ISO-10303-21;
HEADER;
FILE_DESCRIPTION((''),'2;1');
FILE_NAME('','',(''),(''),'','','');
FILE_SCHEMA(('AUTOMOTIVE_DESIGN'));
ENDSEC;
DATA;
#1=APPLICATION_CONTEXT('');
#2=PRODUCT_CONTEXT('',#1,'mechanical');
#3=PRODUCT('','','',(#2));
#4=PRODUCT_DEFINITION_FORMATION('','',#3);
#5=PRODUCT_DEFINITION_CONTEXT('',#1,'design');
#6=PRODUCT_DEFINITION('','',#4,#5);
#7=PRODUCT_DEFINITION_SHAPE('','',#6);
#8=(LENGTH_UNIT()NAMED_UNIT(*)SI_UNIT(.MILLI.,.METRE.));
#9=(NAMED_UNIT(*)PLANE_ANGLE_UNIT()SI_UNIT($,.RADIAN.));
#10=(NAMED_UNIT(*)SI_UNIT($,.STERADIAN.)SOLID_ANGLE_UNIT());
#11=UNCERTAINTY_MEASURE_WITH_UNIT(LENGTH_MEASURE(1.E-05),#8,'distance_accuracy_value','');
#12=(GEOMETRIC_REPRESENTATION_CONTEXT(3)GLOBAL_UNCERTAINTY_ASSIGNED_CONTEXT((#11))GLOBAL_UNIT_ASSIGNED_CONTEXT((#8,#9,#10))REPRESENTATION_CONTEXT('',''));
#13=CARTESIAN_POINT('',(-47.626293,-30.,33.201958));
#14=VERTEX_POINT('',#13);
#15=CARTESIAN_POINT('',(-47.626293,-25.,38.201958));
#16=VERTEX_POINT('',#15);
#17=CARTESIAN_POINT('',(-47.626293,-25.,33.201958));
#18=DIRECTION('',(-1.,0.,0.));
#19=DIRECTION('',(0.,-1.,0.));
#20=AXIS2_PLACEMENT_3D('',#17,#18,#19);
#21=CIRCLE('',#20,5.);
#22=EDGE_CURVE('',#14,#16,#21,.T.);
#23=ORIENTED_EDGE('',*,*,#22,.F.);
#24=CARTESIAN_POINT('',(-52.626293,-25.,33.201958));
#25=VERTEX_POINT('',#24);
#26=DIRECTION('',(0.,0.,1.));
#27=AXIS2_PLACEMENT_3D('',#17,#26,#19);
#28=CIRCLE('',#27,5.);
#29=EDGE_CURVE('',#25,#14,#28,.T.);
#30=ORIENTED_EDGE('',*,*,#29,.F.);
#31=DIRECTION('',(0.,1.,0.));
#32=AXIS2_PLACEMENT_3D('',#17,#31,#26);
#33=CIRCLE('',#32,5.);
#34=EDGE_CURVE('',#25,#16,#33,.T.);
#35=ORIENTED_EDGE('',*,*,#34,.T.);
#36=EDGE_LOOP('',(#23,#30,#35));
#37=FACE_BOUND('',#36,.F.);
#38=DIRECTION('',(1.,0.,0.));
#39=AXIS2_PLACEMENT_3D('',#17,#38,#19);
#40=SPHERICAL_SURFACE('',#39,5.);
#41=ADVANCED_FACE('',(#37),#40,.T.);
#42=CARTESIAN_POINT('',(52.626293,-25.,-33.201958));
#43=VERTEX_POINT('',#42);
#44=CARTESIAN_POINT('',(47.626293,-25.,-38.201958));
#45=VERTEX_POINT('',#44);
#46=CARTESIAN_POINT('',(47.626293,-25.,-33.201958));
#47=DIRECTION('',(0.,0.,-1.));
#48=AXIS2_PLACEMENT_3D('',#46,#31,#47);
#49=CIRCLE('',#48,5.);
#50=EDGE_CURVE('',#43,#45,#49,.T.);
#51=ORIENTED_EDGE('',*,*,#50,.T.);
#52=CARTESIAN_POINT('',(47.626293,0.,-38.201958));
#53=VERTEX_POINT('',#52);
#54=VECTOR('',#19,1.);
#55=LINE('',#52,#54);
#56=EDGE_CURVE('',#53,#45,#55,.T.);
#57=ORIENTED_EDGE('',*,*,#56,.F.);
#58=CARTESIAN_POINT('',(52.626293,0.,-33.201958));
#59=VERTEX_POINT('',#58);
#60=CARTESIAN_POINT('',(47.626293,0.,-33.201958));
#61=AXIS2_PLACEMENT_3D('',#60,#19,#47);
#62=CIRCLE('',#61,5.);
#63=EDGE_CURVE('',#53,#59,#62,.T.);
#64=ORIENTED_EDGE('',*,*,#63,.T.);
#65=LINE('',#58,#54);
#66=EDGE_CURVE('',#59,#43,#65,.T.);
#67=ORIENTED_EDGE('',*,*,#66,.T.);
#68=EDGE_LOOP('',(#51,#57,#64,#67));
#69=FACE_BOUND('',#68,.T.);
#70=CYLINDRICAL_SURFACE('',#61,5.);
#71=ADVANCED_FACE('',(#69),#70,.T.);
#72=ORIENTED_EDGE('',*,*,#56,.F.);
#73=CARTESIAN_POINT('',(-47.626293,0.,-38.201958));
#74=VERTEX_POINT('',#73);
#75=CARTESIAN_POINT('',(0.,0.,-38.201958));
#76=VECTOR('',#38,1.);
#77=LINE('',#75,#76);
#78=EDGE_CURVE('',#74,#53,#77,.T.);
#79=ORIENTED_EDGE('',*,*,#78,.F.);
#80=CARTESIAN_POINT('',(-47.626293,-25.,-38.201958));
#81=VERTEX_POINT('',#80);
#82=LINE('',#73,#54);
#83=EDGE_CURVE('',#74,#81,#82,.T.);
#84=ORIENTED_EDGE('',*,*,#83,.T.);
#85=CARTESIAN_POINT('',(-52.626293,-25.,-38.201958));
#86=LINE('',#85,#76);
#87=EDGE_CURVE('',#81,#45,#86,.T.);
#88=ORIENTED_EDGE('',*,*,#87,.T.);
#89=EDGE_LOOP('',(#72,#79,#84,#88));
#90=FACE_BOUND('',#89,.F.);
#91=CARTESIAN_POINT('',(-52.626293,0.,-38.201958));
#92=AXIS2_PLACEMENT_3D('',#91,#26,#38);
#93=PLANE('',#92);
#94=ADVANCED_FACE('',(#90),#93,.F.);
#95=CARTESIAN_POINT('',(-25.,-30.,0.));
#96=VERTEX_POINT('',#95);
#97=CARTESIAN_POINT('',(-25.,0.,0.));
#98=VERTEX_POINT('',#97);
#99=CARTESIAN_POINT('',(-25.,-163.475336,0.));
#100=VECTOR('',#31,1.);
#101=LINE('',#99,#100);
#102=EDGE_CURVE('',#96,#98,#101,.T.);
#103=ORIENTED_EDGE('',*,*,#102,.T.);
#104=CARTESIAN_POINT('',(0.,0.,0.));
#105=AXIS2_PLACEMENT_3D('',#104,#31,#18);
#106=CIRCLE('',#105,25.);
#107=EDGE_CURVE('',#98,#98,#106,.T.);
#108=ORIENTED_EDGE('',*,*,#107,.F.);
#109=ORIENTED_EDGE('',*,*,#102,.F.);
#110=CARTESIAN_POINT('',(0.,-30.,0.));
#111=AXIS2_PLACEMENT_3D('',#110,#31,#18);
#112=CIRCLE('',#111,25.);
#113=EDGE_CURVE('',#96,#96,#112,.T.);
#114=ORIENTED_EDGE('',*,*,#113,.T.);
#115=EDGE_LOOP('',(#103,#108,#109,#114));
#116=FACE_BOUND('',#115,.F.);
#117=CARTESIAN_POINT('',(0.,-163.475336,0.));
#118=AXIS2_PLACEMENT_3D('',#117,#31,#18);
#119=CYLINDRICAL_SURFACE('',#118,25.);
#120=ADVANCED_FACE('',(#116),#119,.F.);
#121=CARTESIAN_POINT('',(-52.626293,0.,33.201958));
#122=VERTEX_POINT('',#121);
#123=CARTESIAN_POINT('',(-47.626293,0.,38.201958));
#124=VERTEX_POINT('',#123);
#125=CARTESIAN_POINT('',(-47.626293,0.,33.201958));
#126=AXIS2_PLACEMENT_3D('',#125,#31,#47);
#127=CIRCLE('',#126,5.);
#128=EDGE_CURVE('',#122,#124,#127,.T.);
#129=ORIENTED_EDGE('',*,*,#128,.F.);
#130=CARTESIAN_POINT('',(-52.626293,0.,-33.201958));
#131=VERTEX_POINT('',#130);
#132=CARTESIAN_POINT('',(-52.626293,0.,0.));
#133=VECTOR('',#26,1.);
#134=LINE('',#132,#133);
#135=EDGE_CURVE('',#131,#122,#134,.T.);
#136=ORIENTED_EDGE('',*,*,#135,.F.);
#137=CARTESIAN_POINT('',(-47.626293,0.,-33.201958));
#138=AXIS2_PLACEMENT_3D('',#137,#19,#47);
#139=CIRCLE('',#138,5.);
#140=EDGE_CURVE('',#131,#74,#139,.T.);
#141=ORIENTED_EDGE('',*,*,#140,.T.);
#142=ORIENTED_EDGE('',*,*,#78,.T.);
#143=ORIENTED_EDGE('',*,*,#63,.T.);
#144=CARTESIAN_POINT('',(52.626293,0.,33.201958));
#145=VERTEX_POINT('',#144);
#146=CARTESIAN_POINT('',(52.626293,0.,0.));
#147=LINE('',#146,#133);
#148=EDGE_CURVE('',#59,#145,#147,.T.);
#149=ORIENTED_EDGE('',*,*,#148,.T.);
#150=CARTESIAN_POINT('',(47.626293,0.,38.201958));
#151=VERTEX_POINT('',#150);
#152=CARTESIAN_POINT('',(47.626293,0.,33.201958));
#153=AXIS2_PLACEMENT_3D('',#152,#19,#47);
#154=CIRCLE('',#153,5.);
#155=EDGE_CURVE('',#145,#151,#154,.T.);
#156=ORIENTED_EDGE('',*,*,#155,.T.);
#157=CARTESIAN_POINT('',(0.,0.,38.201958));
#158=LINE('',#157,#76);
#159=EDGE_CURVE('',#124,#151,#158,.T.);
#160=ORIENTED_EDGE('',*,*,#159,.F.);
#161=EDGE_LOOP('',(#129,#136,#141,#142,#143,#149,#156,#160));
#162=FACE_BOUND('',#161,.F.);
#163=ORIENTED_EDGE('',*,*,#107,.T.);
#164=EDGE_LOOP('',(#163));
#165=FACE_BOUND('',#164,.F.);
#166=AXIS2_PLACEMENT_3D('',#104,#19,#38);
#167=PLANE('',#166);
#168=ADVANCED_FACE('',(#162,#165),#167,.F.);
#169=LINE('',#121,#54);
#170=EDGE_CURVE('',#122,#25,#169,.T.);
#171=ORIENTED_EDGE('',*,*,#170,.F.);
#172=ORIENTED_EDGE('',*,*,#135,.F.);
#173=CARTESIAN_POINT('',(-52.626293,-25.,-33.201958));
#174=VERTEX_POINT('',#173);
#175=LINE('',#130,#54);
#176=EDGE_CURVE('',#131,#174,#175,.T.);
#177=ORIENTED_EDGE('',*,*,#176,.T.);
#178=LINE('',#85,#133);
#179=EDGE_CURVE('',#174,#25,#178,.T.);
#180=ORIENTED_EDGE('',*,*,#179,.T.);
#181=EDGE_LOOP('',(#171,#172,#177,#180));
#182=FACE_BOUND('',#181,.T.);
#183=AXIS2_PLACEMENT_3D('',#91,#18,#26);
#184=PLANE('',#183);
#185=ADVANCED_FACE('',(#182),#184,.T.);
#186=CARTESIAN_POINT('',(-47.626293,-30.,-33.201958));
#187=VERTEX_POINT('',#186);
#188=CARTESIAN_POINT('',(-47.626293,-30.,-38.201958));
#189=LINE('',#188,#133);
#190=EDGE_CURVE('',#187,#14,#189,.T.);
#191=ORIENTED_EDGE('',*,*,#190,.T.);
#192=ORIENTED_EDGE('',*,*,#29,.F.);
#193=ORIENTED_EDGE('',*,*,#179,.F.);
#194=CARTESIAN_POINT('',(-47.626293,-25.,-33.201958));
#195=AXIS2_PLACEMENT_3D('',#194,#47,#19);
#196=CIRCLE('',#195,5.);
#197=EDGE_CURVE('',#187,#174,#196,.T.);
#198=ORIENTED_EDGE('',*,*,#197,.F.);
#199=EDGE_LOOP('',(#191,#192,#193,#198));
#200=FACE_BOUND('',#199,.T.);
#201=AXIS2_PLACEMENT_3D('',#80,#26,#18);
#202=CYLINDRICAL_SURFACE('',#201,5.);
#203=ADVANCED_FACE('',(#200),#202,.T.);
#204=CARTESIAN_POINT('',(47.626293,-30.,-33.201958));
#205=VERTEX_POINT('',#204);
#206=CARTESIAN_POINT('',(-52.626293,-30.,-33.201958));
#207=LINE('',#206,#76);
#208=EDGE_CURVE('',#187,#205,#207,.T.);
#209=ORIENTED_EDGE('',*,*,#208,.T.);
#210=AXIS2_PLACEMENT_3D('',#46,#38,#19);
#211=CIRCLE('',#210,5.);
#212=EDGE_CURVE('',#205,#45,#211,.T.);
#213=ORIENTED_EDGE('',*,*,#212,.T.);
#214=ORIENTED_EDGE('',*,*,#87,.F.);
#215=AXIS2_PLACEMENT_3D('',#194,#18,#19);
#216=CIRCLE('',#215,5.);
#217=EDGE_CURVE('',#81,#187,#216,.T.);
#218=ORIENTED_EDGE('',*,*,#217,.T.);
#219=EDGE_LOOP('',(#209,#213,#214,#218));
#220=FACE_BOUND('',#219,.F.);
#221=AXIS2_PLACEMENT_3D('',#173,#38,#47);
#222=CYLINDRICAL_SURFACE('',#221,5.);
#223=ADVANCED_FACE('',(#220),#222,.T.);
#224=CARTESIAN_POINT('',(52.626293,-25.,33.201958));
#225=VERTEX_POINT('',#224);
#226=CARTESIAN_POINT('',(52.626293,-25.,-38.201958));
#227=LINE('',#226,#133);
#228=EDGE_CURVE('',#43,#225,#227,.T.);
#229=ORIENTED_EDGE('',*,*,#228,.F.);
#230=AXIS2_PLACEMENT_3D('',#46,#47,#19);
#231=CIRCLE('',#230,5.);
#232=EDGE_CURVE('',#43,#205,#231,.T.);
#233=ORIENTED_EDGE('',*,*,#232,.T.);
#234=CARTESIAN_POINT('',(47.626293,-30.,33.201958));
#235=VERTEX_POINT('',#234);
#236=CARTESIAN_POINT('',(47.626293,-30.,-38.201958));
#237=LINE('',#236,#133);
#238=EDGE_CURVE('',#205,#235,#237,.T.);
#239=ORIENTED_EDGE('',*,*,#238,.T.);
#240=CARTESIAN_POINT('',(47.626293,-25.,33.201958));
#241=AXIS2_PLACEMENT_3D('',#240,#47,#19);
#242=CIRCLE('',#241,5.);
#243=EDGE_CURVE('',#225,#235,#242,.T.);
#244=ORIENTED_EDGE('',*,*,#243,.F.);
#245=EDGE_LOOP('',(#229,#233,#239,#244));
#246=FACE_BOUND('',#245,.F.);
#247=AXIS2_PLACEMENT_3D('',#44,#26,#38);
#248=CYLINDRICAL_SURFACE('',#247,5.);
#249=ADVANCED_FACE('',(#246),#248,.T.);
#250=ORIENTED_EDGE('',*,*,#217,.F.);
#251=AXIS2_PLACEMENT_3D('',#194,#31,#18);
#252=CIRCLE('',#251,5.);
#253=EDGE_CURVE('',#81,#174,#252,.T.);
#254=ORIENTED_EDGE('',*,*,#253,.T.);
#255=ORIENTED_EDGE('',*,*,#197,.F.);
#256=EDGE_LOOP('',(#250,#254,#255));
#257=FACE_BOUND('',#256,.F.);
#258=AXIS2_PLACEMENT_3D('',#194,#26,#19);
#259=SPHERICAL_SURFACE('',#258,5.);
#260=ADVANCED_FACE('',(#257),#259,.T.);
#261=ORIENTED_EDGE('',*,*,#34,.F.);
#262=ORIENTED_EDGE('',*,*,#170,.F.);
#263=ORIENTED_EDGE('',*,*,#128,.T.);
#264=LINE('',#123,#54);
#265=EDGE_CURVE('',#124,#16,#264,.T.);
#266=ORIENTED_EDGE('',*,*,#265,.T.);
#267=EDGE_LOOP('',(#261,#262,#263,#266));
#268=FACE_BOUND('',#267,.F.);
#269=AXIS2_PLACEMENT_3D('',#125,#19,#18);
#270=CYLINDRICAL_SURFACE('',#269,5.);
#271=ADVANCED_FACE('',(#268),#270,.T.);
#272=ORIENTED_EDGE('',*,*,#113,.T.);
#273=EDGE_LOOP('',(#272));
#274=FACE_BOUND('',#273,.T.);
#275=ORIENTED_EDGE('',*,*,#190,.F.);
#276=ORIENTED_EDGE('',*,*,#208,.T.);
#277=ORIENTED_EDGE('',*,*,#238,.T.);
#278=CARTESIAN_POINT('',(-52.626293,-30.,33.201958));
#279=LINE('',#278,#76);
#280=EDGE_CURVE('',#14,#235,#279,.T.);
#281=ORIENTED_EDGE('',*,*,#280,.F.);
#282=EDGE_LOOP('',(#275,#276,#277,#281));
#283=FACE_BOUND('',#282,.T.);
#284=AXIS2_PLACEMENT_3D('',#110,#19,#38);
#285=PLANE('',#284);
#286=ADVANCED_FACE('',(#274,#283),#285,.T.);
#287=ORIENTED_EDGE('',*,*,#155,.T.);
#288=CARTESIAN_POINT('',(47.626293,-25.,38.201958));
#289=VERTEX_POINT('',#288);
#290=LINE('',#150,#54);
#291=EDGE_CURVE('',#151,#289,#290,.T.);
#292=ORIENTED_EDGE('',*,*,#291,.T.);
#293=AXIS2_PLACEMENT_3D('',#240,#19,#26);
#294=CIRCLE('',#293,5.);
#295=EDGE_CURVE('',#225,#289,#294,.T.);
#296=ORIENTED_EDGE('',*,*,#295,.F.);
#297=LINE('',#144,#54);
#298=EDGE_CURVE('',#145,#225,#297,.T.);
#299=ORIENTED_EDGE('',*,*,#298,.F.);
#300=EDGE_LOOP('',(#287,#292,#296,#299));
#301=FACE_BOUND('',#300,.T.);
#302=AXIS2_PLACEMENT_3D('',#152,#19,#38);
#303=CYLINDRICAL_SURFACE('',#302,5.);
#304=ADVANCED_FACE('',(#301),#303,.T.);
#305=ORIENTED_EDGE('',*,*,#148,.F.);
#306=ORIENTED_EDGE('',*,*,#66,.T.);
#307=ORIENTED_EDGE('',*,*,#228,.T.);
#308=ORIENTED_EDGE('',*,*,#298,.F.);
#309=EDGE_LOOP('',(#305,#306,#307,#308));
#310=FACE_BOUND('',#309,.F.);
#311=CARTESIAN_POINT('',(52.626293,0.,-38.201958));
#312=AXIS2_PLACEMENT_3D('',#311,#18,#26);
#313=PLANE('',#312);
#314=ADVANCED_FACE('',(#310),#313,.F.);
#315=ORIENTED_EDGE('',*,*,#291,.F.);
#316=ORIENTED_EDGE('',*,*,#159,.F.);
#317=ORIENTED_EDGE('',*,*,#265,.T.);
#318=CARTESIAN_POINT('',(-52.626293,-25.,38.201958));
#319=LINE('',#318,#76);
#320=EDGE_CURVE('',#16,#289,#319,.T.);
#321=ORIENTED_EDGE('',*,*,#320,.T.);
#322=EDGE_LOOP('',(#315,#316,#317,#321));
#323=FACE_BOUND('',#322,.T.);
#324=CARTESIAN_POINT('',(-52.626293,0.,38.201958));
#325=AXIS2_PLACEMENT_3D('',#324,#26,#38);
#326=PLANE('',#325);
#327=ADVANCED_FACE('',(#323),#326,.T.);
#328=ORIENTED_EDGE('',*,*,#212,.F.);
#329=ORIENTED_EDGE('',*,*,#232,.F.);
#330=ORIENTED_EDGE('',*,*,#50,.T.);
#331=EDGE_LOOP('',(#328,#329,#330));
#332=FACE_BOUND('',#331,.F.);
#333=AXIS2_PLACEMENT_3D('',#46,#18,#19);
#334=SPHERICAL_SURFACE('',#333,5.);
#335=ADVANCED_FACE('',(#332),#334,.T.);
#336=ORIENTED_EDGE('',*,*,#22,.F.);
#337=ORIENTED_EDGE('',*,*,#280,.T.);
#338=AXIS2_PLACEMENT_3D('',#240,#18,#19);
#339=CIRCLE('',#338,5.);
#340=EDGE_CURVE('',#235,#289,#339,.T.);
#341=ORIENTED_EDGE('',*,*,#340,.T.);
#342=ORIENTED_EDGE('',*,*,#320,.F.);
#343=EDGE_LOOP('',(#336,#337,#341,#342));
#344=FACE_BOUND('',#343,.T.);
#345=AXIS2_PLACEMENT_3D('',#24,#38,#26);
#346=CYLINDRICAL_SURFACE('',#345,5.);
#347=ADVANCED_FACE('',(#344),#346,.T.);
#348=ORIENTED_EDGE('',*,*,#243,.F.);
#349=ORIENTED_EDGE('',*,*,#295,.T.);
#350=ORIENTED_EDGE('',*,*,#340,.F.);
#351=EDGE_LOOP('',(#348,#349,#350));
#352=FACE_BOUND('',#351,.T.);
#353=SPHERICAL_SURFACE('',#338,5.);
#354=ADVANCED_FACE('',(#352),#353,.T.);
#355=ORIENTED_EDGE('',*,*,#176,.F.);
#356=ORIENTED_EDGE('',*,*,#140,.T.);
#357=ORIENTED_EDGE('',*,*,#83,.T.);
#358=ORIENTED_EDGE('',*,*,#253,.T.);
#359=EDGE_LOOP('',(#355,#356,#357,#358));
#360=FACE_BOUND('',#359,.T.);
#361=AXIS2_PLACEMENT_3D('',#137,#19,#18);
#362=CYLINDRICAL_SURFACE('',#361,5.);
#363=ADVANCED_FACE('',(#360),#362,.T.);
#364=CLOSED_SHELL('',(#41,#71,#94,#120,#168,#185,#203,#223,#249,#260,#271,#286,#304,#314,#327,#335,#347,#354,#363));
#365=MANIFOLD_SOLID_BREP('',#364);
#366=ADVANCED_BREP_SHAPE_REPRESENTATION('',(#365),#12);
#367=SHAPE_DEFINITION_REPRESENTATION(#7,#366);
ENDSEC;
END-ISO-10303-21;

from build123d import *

# Parameters (mm, degrees)
F0_W     = 105.252586
F0_H     = 76.403916
F1_DEPTH = 30
F2_R     = 5
F4_D     = 50


with BuildPart() as f1:
    # F0 (on Front) → F1 (new body)
    with BuildSketch(Plane.XZ):
        Rectangle(F0_W, F0_H)
    extrude(amount=F1_DEPTH)

    # F2
    f2_edges = [f1.edges().sort_by_distance(p)[0] for p in [
        (0, -30, 38.201958),
        (-52.626293, -30, 0),
        (0, -30, -38.201958),
        (52.626293, -30, 0),
        (-52.626293, -15, 38.201958),
        (-52.626293, -15, -38.201958),
        (52.626293, -15, 38.201958),
        (52.626293, -15, -38.201958),
    ]]
    fillet(f2_edges, radius=F2_R)

    # F4 (through all)
    with Locations(Plane.XZ.offset(30)):
        with Locations((0, 0)):
            Hole(F4_D / 2)


solid = f1.part
